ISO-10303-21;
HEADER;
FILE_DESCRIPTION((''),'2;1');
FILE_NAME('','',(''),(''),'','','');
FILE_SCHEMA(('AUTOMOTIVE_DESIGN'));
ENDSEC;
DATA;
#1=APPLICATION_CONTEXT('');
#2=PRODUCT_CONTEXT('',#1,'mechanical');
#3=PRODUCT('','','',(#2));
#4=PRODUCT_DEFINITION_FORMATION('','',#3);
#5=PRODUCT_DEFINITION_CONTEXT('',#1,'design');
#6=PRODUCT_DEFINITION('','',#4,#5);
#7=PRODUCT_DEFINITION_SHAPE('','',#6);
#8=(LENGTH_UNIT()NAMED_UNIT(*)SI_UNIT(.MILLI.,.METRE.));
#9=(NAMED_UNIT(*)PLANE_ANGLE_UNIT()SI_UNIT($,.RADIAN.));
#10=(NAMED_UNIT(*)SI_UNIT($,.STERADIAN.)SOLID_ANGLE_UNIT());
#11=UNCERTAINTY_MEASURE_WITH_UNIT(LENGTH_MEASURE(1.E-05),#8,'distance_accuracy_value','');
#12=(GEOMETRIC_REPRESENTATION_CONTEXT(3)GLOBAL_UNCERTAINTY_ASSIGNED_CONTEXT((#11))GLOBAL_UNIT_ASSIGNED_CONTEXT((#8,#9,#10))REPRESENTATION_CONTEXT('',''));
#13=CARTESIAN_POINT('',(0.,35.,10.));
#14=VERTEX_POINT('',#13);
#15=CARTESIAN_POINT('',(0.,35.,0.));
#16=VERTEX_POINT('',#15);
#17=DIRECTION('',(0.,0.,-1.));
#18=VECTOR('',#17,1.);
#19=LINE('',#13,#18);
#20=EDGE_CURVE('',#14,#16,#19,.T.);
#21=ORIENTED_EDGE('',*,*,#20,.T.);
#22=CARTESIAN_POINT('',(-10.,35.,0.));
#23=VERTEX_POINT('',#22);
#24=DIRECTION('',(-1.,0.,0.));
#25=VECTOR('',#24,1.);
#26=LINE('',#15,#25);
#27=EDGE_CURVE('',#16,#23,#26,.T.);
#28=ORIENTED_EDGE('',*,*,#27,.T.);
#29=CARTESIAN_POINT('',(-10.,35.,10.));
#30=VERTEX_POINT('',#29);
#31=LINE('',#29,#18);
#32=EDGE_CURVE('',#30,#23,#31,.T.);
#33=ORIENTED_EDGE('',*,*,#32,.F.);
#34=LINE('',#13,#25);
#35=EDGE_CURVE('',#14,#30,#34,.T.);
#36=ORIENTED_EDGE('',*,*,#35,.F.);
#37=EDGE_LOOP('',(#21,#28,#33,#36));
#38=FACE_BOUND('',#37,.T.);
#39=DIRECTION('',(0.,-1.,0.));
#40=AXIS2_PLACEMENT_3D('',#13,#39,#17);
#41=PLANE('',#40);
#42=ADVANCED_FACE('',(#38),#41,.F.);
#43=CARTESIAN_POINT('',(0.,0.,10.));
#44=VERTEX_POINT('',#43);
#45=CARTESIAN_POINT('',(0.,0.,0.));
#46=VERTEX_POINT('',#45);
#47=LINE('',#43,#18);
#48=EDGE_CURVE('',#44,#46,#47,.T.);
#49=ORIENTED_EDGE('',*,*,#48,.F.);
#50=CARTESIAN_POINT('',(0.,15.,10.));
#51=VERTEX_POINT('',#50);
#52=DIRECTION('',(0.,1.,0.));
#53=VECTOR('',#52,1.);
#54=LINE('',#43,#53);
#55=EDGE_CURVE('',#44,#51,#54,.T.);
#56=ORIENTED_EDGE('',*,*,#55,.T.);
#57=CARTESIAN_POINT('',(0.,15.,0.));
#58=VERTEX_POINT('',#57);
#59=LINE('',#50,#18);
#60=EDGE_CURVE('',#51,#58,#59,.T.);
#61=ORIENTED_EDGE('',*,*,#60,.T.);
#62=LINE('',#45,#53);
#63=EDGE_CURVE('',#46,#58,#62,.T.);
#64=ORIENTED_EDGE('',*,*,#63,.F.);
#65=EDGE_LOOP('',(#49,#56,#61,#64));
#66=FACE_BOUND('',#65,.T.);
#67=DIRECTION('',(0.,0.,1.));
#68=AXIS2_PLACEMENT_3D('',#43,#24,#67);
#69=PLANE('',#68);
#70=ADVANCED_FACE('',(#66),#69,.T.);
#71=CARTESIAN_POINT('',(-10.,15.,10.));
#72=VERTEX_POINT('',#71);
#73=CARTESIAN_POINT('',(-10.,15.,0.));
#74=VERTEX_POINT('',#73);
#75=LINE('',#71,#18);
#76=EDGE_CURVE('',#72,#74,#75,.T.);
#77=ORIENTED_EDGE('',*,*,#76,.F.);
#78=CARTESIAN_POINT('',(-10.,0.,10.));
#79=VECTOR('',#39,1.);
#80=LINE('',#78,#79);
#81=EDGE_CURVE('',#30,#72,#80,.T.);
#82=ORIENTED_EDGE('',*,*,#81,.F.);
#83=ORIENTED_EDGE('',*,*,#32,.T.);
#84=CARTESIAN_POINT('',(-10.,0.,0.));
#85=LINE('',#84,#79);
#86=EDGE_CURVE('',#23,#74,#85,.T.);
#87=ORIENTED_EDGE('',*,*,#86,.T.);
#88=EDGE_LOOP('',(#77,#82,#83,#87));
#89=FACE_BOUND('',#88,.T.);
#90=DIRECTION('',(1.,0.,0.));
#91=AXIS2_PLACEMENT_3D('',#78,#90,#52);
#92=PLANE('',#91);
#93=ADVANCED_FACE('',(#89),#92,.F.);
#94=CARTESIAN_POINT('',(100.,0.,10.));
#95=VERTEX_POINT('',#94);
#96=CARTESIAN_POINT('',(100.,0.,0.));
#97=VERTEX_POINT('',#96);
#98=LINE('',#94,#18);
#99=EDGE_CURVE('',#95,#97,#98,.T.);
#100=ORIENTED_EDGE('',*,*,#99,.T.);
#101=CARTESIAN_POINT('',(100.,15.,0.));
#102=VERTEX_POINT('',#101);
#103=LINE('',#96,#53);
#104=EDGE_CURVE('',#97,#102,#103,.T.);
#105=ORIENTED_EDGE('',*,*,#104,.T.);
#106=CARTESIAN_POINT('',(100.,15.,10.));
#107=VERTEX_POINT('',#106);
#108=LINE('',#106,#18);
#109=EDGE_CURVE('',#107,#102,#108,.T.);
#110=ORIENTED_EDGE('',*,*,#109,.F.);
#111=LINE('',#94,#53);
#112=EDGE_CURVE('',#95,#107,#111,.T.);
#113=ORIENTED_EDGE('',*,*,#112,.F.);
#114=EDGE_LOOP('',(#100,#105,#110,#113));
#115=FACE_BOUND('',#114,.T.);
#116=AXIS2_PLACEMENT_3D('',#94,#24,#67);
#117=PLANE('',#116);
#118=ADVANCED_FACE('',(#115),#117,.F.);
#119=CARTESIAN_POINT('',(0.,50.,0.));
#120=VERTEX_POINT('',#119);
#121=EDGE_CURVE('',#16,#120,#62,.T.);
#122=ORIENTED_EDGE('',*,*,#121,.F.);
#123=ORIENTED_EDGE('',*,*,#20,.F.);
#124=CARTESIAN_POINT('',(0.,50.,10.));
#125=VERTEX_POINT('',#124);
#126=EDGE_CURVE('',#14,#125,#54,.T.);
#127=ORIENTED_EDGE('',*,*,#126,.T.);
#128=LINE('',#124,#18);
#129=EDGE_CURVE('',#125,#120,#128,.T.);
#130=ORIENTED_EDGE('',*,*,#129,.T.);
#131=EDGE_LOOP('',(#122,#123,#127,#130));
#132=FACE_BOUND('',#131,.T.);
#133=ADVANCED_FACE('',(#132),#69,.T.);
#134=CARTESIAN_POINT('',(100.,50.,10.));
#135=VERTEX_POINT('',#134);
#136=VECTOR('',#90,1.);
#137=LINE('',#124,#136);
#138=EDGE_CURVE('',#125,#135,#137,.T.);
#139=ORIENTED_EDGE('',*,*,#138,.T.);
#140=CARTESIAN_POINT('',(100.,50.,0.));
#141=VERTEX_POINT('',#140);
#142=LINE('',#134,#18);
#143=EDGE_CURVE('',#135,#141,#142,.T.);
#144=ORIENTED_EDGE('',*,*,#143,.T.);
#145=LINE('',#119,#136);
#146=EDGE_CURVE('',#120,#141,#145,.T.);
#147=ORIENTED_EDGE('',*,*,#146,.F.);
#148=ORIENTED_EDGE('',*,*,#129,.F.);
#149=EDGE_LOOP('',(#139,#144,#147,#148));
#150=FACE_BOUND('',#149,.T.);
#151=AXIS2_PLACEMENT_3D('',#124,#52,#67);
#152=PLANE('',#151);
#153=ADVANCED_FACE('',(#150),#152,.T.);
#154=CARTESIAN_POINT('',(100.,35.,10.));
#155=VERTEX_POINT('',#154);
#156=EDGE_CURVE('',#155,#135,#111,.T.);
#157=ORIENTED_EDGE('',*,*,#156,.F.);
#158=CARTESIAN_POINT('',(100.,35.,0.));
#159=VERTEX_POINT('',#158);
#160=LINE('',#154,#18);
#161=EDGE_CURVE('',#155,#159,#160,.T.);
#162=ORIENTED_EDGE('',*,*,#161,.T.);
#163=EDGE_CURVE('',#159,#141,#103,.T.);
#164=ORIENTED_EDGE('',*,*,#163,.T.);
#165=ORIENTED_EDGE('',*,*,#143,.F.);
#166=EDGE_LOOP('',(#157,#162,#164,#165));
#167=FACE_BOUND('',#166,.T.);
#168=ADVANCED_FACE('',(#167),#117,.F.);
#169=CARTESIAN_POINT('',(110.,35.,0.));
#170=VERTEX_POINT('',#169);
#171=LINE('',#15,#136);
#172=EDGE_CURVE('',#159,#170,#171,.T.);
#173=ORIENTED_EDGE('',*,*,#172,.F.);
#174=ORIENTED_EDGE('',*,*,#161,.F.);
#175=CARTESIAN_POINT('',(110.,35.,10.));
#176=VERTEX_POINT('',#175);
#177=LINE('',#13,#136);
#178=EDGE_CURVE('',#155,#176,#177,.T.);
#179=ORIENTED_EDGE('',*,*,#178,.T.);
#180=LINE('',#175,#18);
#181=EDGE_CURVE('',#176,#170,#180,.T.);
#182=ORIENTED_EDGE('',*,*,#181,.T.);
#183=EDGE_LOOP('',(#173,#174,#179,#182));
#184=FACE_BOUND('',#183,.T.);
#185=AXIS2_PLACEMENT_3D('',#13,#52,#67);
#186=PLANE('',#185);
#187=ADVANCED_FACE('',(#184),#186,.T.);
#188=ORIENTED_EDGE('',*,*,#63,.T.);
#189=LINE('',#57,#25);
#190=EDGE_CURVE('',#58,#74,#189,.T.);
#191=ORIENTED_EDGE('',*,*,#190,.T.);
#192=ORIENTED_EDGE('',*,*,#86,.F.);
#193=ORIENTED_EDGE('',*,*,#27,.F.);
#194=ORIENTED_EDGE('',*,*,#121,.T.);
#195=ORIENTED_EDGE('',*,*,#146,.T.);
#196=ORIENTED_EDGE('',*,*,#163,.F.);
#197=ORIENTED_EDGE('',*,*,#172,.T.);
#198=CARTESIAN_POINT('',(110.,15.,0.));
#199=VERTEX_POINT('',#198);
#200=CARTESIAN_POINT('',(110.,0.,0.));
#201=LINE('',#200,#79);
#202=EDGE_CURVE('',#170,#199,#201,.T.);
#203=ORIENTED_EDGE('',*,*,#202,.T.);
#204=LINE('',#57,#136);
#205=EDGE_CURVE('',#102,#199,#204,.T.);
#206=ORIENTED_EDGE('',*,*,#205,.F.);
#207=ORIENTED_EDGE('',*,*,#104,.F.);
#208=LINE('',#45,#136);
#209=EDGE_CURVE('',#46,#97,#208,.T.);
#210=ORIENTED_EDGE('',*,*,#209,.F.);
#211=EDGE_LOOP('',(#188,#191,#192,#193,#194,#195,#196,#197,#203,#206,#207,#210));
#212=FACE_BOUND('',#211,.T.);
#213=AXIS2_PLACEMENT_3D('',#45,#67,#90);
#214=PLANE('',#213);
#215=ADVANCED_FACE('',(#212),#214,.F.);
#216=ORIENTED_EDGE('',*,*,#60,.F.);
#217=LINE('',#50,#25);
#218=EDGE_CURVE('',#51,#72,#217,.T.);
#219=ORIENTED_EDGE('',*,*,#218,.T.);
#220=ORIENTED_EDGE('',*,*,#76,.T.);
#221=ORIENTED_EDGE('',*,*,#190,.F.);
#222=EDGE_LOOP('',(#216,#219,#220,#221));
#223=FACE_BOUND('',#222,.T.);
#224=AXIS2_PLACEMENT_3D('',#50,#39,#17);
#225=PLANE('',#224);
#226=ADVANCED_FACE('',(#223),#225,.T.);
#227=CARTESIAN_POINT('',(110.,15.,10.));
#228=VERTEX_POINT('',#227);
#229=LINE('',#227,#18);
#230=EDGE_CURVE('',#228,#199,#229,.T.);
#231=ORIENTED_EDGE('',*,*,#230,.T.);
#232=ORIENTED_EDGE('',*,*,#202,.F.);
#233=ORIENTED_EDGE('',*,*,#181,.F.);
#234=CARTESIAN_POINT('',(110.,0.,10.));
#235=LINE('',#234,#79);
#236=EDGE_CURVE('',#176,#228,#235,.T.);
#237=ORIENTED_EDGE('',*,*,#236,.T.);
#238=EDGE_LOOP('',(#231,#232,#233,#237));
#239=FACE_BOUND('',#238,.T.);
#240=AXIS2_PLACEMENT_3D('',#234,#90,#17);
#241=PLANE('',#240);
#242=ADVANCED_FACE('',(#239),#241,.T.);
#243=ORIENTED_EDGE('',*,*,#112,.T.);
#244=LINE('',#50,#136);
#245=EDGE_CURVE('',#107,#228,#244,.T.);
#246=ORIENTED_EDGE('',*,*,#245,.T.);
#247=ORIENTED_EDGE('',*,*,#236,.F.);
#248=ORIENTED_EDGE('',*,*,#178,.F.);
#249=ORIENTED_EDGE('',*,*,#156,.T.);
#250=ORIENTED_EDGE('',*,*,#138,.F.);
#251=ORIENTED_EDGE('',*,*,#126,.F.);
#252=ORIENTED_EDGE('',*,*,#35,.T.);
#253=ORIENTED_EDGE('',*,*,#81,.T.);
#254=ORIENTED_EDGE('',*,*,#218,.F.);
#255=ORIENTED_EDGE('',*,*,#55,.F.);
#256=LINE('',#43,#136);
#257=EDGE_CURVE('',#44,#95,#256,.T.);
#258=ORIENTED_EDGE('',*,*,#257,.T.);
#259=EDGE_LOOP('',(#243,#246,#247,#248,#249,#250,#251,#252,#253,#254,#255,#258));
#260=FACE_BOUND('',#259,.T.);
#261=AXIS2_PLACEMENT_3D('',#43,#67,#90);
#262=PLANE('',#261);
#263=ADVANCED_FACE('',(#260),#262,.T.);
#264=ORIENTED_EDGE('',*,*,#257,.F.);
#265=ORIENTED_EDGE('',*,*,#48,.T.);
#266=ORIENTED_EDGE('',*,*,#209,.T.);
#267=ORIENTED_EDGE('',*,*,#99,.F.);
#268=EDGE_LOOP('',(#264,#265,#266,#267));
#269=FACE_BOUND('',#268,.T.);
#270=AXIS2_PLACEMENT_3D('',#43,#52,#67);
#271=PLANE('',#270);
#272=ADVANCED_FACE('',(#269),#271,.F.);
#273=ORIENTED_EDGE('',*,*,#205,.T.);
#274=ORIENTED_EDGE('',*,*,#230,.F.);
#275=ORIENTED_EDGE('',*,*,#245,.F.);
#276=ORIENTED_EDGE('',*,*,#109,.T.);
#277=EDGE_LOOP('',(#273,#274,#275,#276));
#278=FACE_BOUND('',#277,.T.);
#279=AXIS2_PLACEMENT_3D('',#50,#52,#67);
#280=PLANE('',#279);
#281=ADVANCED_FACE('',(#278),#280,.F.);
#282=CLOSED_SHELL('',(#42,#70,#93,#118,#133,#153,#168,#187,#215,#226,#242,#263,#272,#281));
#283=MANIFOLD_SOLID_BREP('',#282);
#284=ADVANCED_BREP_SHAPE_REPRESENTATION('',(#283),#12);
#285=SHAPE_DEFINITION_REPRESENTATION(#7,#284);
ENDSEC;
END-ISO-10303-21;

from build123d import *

# Parameters (mm, degrees)
ESQUISSE1_W        = 10
ESQUISSE1_H        = 20
ESQUISSE1_W_2      = 100
ESQUISSE1_H_2      = 50
BOSS_EXTRU_1_DEPTH = 10


with BuildPart() as part:
    # Esquisse1 → Boss.-Extru.1 (new body)
    with BuildSketch(Plane.XY):
        with Locations((-5, 25)):
            Rectangle(ESQUISSE1_W, ESQUISSE1_H)
        with Locations((50, 25)):
            Rectangle(ESQUISSE1_W_2, ESQUISSE1_H_2)
        with Locations((105, 25)):
            Rectangle(ESQUISSE1_W, ESQUISSE1_H)
    extrude(amount=BOSS_EXTRU_1_DEPTH)


solid = part.part
